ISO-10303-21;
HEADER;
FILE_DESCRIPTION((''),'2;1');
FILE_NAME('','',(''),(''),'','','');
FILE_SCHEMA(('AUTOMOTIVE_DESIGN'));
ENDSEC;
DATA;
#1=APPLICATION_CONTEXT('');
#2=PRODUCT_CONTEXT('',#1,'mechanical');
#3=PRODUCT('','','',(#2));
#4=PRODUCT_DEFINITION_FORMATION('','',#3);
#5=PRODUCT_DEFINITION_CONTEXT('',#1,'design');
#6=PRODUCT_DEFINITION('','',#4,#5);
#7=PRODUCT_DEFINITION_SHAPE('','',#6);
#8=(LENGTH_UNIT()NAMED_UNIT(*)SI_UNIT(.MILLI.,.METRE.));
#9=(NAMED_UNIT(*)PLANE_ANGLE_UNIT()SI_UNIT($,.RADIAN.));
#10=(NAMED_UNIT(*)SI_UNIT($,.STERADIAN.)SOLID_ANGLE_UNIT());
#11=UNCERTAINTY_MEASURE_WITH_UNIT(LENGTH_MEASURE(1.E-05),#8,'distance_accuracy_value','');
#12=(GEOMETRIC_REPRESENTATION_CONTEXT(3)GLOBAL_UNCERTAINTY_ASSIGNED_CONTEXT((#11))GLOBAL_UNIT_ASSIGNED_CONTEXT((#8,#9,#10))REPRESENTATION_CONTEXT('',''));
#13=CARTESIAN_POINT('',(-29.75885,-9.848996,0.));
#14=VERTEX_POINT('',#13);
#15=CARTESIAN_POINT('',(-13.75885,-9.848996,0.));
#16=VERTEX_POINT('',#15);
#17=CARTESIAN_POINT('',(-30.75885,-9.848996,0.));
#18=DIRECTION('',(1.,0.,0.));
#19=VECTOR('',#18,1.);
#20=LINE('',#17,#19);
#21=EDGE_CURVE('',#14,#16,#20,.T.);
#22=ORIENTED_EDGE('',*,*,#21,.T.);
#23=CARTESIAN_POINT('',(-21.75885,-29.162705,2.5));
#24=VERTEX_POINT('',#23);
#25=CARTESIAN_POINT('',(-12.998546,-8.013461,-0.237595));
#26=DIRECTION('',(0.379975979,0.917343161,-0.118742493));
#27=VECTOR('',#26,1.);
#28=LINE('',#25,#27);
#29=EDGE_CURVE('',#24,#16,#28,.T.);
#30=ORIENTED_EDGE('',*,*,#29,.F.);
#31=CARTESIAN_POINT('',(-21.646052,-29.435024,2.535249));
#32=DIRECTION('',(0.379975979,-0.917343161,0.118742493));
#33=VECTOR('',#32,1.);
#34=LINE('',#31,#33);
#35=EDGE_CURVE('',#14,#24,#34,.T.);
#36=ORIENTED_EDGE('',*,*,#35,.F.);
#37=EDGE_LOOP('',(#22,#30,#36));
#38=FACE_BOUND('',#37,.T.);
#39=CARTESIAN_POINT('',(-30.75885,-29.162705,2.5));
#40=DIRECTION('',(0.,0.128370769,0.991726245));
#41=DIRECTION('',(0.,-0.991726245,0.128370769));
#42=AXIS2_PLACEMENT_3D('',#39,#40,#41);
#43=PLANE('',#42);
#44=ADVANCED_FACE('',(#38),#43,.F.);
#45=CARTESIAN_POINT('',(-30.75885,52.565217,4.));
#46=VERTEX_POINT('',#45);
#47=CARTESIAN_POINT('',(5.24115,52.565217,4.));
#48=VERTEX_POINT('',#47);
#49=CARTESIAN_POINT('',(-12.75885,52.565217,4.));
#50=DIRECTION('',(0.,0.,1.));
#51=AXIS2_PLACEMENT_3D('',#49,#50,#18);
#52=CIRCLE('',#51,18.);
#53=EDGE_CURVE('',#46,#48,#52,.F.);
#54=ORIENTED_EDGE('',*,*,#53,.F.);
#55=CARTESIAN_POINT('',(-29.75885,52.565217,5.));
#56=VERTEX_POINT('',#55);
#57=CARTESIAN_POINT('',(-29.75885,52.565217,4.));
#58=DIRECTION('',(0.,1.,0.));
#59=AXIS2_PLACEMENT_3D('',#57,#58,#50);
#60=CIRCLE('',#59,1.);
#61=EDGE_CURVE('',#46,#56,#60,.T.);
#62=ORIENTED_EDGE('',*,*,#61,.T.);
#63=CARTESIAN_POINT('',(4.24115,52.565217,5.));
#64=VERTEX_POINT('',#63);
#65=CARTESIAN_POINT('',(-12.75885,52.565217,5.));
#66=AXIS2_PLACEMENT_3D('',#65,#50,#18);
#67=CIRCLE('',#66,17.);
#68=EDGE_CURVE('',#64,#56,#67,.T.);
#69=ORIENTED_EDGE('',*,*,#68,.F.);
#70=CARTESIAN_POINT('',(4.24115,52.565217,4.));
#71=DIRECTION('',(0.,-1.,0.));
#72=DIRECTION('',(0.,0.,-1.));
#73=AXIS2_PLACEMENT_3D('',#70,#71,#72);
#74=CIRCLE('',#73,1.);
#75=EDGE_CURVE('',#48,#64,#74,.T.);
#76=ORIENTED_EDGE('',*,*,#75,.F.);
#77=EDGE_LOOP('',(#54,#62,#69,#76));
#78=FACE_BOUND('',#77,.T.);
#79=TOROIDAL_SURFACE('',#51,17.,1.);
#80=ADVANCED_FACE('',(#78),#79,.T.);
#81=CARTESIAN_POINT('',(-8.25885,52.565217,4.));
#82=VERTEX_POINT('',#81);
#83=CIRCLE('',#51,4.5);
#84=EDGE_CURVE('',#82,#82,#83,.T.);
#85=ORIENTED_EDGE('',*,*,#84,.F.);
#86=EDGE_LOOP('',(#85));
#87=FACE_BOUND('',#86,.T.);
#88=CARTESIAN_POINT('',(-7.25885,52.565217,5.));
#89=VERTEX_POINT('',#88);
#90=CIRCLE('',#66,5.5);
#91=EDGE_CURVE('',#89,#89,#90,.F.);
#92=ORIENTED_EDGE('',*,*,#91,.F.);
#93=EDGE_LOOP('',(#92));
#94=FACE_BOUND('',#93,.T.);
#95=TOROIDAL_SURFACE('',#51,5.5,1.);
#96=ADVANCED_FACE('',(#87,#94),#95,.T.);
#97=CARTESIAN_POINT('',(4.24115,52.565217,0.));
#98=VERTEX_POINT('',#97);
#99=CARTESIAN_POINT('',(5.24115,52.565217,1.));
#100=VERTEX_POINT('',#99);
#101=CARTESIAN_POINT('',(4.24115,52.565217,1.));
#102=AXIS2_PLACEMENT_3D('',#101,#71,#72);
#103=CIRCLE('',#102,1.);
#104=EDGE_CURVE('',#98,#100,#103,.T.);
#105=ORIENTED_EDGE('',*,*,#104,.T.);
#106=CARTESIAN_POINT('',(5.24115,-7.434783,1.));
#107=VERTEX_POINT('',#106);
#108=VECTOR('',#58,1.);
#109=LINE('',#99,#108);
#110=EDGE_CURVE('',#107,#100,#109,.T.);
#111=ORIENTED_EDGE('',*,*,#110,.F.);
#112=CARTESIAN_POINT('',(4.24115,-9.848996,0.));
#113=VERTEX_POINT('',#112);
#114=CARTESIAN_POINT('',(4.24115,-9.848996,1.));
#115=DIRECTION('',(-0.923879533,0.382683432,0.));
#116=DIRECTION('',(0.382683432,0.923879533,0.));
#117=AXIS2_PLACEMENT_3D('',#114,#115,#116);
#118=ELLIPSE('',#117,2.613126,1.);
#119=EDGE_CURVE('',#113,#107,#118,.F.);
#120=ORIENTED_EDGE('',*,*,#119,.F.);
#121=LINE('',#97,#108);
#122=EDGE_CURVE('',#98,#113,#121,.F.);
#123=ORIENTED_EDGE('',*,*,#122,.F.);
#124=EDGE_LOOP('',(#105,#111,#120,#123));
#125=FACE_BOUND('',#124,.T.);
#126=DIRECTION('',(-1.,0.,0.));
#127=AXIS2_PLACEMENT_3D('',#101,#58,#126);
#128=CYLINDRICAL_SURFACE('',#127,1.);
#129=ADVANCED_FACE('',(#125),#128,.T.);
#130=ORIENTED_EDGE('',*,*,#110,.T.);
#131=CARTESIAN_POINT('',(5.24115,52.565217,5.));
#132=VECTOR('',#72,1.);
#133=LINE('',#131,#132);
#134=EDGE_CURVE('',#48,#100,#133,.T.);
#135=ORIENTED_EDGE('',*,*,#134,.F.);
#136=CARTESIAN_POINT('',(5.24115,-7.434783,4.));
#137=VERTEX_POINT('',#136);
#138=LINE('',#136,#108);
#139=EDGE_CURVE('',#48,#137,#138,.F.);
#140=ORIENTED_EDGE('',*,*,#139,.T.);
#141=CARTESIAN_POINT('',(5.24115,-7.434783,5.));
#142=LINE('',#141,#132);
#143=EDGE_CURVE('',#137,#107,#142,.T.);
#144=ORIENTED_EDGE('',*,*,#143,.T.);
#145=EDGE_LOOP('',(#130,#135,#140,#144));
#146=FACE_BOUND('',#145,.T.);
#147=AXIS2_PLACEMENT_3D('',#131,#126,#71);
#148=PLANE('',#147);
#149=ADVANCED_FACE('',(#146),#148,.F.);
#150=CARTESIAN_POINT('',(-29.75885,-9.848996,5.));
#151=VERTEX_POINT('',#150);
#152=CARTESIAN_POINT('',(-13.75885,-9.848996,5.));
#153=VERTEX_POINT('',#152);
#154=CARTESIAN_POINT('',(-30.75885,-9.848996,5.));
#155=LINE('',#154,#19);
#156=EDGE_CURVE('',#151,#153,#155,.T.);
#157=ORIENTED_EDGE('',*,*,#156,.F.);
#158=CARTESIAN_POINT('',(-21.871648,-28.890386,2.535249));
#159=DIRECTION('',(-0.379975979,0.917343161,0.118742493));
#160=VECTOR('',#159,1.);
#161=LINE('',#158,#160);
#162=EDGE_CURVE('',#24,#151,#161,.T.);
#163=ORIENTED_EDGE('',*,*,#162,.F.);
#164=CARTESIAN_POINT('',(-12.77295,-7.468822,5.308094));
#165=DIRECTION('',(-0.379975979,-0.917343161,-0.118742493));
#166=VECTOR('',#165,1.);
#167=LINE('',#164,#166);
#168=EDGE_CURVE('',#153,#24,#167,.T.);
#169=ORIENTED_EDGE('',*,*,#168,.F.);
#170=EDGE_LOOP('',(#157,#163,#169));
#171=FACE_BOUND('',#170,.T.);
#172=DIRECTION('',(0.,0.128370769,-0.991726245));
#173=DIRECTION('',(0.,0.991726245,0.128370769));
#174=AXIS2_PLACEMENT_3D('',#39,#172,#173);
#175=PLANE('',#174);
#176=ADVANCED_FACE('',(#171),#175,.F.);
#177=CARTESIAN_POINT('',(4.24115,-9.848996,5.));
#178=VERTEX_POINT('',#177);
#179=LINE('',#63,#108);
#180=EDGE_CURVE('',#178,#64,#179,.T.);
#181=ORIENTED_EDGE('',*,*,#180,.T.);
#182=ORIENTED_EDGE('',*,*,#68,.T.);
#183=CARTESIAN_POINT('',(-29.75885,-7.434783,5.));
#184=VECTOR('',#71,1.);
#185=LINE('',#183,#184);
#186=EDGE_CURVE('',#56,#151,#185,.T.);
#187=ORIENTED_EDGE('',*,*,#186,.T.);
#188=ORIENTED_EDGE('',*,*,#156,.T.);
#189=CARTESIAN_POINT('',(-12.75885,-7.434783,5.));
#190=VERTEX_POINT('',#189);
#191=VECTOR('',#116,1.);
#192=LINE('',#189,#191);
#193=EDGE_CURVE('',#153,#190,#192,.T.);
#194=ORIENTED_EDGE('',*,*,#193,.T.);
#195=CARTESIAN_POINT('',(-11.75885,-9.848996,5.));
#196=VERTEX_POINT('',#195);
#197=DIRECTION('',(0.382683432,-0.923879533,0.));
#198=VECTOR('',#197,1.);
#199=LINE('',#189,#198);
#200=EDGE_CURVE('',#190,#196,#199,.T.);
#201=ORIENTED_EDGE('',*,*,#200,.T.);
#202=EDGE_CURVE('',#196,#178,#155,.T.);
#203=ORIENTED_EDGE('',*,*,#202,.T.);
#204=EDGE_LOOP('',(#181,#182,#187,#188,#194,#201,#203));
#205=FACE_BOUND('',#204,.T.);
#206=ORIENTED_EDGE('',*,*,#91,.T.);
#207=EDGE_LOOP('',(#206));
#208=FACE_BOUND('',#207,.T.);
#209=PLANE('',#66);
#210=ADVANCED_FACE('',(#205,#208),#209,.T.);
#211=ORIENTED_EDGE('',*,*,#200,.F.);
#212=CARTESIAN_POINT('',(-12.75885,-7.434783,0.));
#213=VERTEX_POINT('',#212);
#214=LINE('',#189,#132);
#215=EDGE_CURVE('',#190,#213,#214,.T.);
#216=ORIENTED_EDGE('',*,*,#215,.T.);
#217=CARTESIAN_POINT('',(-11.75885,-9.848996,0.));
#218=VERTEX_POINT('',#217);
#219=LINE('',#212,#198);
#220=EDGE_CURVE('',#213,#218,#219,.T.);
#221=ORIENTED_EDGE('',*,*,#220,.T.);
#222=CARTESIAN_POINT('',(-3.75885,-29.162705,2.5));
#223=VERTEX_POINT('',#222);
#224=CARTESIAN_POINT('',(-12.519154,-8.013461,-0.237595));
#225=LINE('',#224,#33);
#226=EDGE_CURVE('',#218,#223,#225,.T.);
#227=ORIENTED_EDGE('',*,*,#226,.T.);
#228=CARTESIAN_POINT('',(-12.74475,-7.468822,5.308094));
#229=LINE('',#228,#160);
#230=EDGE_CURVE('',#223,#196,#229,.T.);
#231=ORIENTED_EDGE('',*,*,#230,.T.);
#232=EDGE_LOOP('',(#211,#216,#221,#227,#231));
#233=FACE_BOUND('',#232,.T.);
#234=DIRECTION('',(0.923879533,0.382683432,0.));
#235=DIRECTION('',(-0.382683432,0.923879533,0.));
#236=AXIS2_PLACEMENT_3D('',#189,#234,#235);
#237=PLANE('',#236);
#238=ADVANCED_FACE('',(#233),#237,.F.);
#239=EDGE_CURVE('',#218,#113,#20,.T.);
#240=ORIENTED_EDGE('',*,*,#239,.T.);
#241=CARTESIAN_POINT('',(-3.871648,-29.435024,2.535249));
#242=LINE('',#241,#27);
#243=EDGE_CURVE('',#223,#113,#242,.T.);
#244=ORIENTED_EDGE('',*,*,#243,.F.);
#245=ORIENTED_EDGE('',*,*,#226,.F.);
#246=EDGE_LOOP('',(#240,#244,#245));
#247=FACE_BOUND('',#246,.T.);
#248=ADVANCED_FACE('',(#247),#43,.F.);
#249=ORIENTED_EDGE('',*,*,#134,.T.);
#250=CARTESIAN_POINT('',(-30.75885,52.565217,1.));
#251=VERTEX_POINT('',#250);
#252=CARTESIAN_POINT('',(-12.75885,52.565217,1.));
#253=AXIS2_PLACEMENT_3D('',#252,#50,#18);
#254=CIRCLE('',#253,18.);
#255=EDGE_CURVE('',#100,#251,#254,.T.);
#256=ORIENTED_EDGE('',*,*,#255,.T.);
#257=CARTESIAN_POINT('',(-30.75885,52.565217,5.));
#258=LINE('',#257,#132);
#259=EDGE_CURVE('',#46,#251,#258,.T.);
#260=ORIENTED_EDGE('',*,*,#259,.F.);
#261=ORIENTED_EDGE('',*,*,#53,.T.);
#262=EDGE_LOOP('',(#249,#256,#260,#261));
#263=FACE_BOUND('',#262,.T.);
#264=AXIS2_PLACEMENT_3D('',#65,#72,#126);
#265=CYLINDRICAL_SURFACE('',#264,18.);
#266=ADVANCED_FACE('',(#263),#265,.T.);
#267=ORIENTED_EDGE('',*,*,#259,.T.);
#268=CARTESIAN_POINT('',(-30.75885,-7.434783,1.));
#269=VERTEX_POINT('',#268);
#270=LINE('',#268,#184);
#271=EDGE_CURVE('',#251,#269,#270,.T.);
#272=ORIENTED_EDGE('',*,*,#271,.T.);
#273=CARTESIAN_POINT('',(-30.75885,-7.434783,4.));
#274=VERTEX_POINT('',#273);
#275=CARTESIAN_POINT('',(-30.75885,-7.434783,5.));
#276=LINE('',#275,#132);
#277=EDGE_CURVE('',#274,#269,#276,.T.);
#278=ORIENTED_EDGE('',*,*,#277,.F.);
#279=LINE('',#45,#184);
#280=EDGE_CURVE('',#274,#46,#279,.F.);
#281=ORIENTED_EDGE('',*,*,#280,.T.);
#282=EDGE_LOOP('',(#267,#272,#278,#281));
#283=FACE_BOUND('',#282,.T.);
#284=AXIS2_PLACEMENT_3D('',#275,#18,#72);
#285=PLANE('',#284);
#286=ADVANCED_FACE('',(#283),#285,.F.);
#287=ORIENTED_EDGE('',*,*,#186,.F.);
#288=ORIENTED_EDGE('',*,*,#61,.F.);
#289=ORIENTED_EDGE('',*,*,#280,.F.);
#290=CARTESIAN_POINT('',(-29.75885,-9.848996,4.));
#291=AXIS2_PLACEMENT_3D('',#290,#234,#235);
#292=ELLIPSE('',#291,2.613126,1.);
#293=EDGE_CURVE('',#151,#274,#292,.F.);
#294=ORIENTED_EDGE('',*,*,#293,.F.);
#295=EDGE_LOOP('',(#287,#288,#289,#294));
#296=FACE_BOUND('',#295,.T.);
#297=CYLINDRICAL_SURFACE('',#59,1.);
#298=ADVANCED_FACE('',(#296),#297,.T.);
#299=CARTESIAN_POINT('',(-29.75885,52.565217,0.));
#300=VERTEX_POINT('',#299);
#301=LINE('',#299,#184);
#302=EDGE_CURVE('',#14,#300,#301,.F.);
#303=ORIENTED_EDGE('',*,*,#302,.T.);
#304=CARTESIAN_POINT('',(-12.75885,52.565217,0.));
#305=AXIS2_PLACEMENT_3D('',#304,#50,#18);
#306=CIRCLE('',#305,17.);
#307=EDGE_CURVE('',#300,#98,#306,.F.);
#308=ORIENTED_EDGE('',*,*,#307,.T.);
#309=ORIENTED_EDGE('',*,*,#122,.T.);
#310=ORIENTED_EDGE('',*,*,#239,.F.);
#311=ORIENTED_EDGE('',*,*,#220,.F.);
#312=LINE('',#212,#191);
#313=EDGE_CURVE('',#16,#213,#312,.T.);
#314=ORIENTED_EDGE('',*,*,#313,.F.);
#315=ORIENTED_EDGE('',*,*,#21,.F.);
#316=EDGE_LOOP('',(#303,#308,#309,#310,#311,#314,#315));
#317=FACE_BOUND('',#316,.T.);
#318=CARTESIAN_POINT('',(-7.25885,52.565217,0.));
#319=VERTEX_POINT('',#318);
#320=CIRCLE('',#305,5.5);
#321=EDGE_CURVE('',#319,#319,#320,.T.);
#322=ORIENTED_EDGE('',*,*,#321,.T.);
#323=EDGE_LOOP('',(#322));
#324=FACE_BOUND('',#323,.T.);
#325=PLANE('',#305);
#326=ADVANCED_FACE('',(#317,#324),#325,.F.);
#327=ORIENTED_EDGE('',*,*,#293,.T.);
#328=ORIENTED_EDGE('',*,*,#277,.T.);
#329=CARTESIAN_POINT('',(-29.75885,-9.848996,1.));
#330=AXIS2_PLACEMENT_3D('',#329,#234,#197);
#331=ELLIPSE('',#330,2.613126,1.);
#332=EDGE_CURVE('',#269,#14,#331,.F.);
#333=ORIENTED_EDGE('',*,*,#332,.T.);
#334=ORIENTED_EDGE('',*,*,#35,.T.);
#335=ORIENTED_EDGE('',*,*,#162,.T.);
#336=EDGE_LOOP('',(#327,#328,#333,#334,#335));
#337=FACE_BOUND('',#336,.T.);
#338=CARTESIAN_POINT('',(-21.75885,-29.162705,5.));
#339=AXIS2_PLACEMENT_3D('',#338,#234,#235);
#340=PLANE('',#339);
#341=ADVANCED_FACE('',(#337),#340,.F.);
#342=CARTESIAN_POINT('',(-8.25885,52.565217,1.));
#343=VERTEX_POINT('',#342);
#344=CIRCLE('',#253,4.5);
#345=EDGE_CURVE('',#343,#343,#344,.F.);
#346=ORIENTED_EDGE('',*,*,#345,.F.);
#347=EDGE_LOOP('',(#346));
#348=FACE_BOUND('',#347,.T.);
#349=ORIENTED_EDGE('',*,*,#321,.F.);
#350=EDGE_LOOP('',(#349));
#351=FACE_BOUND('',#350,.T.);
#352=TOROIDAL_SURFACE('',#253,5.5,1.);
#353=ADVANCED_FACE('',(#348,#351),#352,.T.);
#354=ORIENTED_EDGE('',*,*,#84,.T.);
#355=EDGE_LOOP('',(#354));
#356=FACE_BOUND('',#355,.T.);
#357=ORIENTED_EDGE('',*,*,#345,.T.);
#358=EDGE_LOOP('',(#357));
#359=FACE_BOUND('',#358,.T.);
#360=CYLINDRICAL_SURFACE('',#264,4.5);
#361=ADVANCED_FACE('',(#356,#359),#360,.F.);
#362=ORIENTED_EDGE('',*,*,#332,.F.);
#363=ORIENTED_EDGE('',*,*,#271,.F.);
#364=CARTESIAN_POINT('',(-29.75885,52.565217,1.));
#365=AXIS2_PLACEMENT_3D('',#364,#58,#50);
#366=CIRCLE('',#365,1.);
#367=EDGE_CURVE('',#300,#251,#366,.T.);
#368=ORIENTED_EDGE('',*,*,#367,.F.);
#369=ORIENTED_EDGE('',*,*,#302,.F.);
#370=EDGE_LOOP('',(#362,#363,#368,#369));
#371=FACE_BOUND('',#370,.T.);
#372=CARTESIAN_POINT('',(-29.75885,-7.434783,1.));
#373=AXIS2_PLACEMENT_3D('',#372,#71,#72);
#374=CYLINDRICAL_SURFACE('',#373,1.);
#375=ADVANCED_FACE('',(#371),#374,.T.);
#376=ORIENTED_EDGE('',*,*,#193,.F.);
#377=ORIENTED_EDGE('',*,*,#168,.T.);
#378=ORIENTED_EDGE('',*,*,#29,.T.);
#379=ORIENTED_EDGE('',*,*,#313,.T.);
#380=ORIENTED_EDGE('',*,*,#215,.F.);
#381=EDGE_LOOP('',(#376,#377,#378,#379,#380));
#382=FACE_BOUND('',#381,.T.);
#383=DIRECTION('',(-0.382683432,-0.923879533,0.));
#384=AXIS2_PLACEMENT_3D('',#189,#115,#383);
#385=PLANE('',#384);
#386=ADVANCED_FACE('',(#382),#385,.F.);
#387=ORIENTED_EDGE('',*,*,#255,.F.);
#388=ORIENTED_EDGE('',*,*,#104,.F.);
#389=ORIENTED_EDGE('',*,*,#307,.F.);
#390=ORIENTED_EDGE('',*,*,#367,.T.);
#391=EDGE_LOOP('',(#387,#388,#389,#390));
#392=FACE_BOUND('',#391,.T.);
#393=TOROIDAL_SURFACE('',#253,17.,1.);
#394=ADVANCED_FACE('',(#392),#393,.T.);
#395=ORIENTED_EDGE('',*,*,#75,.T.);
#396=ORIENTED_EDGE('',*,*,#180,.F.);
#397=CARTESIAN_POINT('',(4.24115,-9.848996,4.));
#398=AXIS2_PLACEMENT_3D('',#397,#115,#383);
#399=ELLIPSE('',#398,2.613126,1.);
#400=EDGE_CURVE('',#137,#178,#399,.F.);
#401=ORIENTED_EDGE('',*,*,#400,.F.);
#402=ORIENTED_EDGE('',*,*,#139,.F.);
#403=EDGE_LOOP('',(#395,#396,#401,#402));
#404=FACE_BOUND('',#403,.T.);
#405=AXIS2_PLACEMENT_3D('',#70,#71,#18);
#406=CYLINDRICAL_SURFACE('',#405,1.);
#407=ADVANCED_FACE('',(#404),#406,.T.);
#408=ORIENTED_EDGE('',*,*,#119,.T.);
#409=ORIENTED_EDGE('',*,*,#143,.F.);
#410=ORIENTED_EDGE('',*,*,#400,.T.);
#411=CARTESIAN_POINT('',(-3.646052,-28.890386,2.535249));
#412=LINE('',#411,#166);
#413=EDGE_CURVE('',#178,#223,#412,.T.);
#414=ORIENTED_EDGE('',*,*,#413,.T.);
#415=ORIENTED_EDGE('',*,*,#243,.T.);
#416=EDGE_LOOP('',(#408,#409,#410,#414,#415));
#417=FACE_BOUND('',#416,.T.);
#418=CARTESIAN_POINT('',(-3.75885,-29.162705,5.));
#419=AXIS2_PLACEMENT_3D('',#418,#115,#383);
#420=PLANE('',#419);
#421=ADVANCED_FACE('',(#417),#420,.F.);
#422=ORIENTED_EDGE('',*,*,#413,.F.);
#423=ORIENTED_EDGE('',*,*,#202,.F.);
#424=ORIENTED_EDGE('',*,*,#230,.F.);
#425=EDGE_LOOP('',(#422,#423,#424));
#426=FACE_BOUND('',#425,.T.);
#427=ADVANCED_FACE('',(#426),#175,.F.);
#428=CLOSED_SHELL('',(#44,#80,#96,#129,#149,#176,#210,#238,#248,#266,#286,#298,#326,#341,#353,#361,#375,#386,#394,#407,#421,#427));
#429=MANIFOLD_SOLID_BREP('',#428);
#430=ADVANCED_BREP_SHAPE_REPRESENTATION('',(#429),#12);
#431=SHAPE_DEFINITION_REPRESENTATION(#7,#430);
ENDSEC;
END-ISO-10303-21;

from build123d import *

# Parameters (mm, degrees)
SKETCH1_R               = 4.5
BOSS_EXTRUDE1_DEPTH     = 5
FILLET1_R               = 1
CUT_EXTRUDE1_DEPTH      = 78.139851996
CUT_EXTRUDE1_DEPTH_BACK = 78.139851996
CUT_EXTRUDE3_DEPTH      = 80.375373419
CUT_EXTRUDE3_DEPTH_BACK = 80.375373419


with BuildPart() as part:
    # Sketch1 → Boss-Extrude1 (new body)
    with BuildSketch(Plane.XY):
        with BuildLine():
            Line((-21.758850115, -29.16270467), (-30.758850115, -7.434782609))
            Line((-30.758850115, -7.434782609), (-30.758850115, 52.565217391))
            ThreePointArc((-30.758850115, 52.565217391), (-12.758850115, 70.565217391), (5.241149885, 52.565217391))
            Line((5.241149885, 52.565217391), (5.241149885, -7.434782609))
            Line((5.241149885, -7.434782609), (-3.758850115, -29.16270467))
            Line((-3.758850115, -29.16270467), (-12.758850115, -7.434782609))
            Line((-12.758850115, -7.434782609), (-21.758850115, -29.16270467))
        make_face()
        with Locations((-12.758850115, 52.565217391)):
            Circle(SKETCH1_R, mode=Mode.SUBTRACT)
    extrude(amount=BOSS_EXTRUDE1_DEPTH)

    # Fillet1
    fillet1_edges = [part.edges().sort_by_distance(p)[0] for p in [
        (5.241149885, 22.565217391, 5),
        (-17.258850115, 52.565217391, 0),
        (-17.258850115, 52.565217391, 5),
        (-12.758850115, 70.565217391, 5),
        (-30.758850115, 22.565217391, 5),
        (-30.758850115, 22.565217391, 0),
        (-12.758850115, 70.565217391, 0),
        (5.241149885, 22.565217391, 0),
    ]]
    fillet(fillet1_edges, radius=FILLET1_R)

    # Sketch5 → Cut-Extrude1 (cut, two sides: drawn at the far end of the back side and taken through both)
    with BuildSketch(Plane(origin=(0, 0, 0), x_dir=(0, 0, -1), z_dir=(1, 0, 0)).offset(-CUT_EXTRUDE1_DEPTH_BACK)):
        Polygon((-2.5, -29.16270467), (-5, -9.848996171), (-5, -29.16270467), align=None)
    extrude(amount=CUT_EXTRUDE1_DEPTH + CUT_EXTRUDE1_DEPTH_BACK, mode=Mode.SUBTRACT)

    # Sketch9 → Cut-Extrude3 (cut, two sides: drawn at the far end of the back side and taken through both)
    with BuildSketch(Plane(origin=(5.241149885, 0, 0), x_dir=(0, 0, -1), z_dir=(1, 0, 0)).offset(-CUT_EXTRUDE3_DEPTH_BACK)):
        Polygon((-2.5, -29.16270467), (0, -9.848996171), (0, -29.16270467), align=None)
    extrude(amount=CUT_EXTRUDE3_DEPTH + CUT_EXTRUDE3_DEPTH_BACK, mode=Mode.SUBTRACT)


solid = part.part
